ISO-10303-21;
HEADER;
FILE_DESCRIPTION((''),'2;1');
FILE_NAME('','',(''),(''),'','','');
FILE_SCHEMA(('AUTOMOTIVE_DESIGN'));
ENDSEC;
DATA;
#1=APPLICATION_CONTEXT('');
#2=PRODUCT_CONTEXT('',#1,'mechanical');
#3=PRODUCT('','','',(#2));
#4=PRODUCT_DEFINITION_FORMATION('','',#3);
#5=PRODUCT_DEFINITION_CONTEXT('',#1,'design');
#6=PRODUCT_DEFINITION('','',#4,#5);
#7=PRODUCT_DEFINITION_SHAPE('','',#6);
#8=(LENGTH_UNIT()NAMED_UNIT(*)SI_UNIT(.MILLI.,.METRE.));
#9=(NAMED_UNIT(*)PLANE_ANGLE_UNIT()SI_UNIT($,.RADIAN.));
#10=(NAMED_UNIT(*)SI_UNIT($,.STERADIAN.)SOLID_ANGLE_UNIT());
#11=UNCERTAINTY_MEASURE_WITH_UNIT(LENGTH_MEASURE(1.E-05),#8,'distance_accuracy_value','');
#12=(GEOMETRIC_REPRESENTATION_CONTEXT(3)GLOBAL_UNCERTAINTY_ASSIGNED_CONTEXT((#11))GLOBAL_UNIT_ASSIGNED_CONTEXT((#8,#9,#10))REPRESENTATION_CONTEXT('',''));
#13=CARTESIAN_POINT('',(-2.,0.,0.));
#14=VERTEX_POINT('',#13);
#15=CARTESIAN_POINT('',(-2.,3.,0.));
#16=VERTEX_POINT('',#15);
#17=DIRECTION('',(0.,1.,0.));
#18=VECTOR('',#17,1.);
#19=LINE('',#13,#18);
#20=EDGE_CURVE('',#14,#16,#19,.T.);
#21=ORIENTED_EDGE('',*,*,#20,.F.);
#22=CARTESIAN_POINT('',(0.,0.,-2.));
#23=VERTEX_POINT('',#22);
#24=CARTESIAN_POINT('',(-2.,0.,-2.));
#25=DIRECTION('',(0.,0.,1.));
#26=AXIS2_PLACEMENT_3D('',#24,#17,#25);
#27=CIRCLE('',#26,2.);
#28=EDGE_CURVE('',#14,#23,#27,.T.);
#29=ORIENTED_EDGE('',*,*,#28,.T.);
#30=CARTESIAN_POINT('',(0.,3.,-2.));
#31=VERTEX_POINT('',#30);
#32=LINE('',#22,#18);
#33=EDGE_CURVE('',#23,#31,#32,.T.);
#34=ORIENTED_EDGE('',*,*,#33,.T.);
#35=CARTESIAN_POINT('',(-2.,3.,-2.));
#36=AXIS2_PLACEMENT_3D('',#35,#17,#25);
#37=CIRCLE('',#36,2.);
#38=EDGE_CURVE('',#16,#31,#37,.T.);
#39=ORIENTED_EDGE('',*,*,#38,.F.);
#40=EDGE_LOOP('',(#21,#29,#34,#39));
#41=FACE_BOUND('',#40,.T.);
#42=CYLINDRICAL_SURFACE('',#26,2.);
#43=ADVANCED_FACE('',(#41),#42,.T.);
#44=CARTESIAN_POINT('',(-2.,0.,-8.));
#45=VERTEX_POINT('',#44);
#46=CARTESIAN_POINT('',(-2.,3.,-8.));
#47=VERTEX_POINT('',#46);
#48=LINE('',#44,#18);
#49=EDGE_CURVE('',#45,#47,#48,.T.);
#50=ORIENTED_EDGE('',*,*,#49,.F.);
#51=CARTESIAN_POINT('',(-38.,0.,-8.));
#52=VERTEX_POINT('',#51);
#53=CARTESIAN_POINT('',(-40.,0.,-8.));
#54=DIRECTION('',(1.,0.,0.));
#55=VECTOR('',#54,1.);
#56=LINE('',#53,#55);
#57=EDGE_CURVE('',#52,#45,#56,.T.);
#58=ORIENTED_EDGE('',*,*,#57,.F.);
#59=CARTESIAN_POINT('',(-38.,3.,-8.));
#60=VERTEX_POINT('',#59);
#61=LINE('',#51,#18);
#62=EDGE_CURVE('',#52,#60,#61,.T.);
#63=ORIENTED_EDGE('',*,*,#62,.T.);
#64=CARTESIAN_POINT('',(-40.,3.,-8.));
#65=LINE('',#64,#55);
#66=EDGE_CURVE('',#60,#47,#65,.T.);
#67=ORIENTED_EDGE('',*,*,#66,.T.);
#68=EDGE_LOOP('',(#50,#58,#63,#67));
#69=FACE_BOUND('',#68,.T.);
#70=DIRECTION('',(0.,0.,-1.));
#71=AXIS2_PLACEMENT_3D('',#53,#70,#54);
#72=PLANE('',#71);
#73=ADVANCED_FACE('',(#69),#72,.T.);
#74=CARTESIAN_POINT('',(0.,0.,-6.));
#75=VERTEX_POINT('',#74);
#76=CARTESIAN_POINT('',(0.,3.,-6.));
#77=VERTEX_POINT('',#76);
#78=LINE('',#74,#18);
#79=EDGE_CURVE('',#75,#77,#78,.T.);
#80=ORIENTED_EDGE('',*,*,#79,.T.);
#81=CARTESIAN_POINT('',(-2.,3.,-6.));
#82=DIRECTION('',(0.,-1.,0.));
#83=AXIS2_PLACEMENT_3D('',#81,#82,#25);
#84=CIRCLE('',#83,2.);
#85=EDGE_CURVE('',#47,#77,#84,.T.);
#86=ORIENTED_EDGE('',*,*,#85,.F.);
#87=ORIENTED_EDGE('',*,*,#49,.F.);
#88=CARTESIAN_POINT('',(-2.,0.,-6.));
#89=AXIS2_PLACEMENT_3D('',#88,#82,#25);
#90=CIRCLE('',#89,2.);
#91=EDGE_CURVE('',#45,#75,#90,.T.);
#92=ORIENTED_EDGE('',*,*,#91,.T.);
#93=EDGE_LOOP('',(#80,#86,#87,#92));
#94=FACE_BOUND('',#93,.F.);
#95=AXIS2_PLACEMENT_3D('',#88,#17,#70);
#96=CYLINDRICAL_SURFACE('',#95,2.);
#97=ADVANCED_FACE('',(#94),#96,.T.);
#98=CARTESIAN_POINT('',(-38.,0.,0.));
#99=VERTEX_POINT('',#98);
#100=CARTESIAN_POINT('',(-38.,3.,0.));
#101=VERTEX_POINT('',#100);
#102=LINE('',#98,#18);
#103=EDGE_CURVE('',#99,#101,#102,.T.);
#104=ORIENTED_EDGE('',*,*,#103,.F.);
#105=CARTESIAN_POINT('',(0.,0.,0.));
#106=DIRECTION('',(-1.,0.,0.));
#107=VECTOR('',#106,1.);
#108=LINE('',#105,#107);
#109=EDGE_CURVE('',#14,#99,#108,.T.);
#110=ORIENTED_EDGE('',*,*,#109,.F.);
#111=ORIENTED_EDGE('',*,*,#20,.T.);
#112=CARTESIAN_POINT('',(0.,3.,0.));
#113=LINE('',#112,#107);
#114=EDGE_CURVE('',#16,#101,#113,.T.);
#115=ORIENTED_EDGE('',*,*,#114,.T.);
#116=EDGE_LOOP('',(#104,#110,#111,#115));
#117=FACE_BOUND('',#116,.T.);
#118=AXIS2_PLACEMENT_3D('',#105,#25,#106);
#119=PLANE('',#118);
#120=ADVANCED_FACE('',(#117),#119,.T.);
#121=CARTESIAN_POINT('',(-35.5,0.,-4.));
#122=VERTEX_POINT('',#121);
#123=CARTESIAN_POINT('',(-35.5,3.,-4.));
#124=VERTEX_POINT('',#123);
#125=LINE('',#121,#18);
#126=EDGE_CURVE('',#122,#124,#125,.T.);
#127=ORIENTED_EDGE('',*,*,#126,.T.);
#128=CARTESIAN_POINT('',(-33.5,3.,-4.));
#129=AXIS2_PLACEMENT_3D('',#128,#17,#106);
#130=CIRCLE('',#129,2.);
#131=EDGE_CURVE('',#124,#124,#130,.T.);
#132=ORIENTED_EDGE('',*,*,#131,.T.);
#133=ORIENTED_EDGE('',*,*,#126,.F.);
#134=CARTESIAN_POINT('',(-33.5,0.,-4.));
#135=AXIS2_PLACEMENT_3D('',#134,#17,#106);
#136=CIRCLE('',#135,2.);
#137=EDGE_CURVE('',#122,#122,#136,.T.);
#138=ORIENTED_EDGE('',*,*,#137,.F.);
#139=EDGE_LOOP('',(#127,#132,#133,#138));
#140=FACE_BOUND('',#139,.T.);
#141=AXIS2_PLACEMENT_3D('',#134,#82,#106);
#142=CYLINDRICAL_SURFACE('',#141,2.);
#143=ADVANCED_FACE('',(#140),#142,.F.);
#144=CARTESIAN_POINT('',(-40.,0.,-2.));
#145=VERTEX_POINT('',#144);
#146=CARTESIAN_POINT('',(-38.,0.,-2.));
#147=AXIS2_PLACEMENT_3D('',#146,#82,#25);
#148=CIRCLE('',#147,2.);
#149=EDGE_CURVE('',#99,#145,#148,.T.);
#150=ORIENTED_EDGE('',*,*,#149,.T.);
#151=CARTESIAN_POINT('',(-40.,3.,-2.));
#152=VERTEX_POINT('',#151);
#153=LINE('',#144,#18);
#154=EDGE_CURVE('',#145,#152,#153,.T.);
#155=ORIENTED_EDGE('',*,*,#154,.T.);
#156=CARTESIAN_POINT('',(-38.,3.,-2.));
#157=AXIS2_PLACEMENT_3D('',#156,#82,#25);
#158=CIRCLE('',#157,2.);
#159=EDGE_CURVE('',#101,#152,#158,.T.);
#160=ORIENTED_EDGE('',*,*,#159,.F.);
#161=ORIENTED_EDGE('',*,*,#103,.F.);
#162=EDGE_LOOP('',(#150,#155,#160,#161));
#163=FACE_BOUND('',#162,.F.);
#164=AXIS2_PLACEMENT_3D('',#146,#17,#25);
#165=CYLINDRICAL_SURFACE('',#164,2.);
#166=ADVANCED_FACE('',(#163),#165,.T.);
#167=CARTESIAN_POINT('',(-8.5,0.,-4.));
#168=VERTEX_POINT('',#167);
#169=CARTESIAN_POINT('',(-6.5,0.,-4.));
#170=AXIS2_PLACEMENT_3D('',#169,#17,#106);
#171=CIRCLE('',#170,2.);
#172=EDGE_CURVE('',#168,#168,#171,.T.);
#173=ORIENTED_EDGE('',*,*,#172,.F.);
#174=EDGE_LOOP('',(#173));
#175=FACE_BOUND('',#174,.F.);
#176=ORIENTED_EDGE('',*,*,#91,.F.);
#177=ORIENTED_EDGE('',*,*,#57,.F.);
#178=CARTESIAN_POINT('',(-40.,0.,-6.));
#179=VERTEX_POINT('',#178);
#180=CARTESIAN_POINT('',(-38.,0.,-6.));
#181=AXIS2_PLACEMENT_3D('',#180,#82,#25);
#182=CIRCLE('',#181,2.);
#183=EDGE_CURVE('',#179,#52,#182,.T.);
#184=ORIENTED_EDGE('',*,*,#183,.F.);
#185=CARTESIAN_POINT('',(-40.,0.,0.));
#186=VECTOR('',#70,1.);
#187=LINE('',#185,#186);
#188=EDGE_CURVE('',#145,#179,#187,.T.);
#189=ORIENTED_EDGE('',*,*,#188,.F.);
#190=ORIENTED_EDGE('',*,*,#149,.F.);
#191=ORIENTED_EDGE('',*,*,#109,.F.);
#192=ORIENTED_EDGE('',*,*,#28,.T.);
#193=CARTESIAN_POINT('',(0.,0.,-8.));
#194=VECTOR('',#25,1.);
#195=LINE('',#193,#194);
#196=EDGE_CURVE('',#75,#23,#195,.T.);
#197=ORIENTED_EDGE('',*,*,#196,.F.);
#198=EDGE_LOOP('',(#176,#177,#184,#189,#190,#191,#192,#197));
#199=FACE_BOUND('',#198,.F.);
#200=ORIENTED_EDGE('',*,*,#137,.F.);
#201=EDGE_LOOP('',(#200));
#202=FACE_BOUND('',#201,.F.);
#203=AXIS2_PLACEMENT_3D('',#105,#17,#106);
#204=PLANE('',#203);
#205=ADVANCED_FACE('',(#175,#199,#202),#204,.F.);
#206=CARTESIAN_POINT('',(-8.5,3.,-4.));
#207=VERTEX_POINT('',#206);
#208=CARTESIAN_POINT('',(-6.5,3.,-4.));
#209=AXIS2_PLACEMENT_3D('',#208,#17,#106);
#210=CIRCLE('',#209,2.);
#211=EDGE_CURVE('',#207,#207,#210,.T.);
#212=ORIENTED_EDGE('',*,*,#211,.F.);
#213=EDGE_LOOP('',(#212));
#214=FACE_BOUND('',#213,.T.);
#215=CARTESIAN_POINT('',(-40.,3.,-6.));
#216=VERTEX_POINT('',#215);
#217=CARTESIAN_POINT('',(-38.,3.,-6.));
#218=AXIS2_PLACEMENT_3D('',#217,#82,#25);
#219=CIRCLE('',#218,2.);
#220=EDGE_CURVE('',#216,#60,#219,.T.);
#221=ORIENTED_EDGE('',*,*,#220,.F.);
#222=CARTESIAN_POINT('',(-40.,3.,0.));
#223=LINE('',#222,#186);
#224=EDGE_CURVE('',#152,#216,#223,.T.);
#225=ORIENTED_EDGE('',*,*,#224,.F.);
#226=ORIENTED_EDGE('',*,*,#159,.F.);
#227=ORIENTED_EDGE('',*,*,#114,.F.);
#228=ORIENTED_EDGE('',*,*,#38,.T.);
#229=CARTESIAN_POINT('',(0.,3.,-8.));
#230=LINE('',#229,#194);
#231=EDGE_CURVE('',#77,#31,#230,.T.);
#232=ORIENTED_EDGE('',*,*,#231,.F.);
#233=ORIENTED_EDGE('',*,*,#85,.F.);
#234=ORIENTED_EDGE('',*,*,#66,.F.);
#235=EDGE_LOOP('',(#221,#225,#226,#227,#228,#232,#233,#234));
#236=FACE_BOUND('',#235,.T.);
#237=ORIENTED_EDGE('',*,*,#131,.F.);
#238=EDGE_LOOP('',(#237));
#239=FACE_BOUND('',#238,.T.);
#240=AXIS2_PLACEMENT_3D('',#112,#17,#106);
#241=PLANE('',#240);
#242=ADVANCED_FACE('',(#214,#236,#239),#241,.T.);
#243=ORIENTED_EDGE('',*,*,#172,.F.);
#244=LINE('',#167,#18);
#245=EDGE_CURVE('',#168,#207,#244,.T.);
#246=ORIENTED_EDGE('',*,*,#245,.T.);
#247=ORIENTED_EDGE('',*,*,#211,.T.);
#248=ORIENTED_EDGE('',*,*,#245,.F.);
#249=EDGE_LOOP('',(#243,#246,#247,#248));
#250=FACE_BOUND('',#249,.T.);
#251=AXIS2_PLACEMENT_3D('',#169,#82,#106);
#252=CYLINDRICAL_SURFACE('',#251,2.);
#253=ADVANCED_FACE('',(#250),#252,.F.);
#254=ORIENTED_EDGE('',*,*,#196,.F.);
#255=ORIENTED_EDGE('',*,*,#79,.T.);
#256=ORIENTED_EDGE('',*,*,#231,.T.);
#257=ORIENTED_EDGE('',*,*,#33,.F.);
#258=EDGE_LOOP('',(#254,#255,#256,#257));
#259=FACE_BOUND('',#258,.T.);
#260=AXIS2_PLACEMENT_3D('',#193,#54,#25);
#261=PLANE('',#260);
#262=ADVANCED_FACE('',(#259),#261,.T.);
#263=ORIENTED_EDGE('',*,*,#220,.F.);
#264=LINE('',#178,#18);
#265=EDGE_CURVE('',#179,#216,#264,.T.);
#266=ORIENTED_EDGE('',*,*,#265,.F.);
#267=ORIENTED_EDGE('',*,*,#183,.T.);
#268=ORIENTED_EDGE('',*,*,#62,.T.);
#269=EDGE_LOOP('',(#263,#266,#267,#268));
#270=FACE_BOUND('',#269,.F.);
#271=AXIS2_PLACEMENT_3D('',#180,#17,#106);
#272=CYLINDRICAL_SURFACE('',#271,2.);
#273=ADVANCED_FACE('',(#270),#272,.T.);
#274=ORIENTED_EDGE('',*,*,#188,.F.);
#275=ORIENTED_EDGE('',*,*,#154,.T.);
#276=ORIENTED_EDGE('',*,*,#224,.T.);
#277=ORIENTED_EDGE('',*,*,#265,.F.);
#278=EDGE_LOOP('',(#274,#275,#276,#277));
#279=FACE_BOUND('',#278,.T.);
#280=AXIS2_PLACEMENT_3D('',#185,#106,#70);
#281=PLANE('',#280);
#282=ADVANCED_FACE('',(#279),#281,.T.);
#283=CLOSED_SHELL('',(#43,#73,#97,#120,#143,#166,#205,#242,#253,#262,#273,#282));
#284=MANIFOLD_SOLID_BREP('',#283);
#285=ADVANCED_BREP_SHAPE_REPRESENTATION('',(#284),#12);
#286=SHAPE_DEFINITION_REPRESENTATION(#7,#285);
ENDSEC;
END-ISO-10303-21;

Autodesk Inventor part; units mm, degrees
ref_plane "YZ Plane" through (0, 0, 0) normal (1, 0, 0) x (0, 1, 0)
ref_plane "XZ Plane" through (0, 0, 0) normal (0, 1, 0) x (-1, 0, 0)
ref_plane "XY Plane" through (0, 0, 0) normal (0, 0, 1) x (1, 0, 0)
sketch "Esquisse1" plane through (0, 0, 0) normal (0, 1, 0) x (-1, 0, 0)
  line L0 (0, 0) -> (40, 0)
  line L1 (40, 0) -> (40, -8)
  line L2 (40, -8) -> (0, -8)
  line L3 (0, -8) -> (0, 0)
  line L4 (40, -4) -> (0, -4) construction
  line L5 (20, 0) -> (20, -8) construction
  circle A0 centre (33.5, -4) radius 2
  circle A1 centre (6.5, -4) radius 2
  dimension "d0" = 8
  dimension "d1" = 40
  dimension "d2" = 27
  dimension "d3" = 4
extrude "Extrusion1" add sketch "Esquisse1" along normal blind 3
fillet "Congé1" radius 2 4 edges at (0, 1.5, 0) (0, 1.5, -8) (-40, 1.5, -8) (-40, 1.5, 0)
properties part number "cell"
